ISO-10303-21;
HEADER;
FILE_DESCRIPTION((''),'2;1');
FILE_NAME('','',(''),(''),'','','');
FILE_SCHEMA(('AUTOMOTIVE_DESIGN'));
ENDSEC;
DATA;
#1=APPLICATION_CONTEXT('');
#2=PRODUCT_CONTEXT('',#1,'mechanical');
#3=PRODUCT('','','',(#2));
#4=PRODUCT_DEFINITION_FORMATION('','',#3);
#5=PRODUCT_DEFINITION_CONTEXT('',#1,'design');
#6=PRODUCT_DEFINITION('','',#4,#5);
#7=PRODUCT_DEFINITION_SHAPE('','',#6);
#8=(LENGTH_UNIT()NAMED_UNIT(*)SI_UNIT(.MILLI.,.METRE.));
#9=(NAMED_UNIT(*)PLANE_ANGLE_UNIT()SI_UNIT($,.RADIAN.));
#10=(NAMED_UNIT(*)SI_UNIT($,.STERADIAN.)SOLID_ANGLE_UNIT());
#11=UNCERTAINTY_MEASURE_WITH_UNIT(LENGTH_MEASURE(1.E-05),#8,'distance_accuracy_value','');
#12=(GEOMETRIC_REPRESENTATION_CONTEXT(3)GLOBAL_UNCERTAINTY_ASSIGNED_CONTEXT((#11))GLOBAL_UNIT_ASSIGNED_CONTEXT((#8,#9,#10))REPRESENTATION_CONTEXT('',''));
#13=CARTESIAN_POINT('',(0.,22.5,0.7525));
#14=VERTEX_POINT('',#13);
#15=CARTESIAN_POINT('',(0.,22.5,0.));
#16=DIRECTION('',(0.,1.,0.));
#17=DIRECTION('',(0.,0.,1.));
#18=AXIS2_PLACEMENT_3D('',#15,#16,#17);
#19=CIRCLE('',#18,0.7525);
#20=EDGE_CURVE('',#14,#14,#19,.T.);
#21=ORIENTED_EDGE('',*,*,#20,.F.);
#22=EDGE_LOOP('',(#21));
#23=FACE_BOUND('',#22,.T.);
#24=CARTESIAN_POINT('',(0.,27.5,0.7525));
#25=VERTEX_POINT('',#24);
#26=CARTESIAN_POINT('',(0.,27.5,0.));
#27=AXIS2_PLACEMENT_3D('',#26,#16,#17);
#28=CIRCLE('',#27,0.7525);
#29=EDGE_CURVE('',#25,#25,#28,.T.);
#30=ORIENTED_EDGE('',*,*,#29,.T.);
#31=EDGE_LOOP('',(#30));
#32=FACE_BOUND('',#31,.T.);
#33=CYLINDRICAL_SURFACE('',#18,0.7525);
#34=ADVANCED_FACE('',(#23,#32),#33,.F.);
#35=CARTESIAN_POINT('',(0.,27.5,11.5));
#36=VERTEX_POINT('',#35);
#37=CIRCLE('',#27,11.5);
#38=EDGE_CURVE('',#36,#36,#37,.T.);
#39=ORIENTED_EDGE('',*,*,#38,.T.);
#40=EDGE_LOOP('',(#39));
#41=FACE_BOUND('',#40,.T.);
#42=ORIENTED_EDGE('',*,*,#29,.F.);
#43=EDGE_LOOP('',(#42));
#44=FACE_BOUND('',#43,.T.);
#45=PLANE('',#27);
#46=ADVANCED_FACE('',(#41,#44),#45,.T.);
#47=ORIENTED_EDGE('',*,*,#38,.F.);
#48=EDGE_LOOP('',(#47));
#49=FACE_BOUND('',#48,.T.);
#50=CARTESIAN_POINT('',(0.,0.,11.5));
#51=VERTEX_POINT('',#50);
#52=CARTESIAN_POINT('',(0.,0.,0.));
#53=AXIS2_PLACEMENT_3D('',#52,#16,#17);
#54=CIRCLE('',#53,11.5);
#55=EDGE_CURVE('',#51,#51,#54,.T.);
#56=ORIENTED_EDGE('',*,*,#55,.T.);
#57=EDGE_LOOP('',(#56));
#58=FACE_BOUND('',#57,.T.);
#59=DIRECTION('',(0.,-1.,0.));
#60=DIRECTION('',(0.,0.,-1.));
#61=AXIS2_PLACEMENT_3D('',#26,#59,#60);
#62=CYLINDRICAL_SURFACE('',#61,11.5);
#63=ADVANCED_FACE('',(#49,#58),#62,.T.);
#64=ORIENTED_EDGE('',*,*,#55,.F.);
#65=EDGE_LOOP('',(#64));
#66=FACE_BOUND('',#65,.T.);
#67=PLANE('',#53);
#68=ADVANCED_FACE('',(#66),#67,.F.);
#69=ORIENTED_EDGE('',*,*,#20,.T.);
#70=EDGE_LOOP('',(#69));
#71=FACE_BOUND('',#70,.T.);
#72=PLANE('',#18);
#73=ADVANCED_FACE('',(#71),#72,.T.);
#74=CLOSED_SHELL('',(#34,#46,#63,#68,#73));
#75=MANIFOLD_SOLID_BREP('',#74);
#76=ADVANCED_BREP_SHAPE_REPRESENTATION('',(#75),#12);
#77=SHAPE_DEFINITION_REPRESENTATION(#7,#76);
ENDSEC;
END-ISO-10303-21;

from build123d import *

# Parameters (mm, degrees)
SKETCH1_R           = 11.5
BOSS_EXTRUDE1_DEPTH = 27.5
SKETCH2_R           = 0.7525
CUT_EXTRUDE1_DEPTH  = 5


with BuildPart() as part:
    # Sketch1 → Boss-Extrude1 (new body)
    with BuildSketch(Plane(origin=(0, 0, 0), x_dir=(1, 0, 0), z_dir=(0, 1, 0))):
        Circle(SKETCH1_R)
    extrude(amount=BOSS_EXTRUDE1_DEPTH)

    # Sketch2 → Cut-Extrude1 (cut)
    with BuildSketch(Plane(origin=(0, 27.5, 0), x_dir=(1, 0, 0), z_dir=(0, 1, 0))):
        Circle(SKETCH2_R)
    extrude(amount=-CUT_EXTRUDE1_DEPTH, mode=Mode.SUBTRACT)


solid = part.part
